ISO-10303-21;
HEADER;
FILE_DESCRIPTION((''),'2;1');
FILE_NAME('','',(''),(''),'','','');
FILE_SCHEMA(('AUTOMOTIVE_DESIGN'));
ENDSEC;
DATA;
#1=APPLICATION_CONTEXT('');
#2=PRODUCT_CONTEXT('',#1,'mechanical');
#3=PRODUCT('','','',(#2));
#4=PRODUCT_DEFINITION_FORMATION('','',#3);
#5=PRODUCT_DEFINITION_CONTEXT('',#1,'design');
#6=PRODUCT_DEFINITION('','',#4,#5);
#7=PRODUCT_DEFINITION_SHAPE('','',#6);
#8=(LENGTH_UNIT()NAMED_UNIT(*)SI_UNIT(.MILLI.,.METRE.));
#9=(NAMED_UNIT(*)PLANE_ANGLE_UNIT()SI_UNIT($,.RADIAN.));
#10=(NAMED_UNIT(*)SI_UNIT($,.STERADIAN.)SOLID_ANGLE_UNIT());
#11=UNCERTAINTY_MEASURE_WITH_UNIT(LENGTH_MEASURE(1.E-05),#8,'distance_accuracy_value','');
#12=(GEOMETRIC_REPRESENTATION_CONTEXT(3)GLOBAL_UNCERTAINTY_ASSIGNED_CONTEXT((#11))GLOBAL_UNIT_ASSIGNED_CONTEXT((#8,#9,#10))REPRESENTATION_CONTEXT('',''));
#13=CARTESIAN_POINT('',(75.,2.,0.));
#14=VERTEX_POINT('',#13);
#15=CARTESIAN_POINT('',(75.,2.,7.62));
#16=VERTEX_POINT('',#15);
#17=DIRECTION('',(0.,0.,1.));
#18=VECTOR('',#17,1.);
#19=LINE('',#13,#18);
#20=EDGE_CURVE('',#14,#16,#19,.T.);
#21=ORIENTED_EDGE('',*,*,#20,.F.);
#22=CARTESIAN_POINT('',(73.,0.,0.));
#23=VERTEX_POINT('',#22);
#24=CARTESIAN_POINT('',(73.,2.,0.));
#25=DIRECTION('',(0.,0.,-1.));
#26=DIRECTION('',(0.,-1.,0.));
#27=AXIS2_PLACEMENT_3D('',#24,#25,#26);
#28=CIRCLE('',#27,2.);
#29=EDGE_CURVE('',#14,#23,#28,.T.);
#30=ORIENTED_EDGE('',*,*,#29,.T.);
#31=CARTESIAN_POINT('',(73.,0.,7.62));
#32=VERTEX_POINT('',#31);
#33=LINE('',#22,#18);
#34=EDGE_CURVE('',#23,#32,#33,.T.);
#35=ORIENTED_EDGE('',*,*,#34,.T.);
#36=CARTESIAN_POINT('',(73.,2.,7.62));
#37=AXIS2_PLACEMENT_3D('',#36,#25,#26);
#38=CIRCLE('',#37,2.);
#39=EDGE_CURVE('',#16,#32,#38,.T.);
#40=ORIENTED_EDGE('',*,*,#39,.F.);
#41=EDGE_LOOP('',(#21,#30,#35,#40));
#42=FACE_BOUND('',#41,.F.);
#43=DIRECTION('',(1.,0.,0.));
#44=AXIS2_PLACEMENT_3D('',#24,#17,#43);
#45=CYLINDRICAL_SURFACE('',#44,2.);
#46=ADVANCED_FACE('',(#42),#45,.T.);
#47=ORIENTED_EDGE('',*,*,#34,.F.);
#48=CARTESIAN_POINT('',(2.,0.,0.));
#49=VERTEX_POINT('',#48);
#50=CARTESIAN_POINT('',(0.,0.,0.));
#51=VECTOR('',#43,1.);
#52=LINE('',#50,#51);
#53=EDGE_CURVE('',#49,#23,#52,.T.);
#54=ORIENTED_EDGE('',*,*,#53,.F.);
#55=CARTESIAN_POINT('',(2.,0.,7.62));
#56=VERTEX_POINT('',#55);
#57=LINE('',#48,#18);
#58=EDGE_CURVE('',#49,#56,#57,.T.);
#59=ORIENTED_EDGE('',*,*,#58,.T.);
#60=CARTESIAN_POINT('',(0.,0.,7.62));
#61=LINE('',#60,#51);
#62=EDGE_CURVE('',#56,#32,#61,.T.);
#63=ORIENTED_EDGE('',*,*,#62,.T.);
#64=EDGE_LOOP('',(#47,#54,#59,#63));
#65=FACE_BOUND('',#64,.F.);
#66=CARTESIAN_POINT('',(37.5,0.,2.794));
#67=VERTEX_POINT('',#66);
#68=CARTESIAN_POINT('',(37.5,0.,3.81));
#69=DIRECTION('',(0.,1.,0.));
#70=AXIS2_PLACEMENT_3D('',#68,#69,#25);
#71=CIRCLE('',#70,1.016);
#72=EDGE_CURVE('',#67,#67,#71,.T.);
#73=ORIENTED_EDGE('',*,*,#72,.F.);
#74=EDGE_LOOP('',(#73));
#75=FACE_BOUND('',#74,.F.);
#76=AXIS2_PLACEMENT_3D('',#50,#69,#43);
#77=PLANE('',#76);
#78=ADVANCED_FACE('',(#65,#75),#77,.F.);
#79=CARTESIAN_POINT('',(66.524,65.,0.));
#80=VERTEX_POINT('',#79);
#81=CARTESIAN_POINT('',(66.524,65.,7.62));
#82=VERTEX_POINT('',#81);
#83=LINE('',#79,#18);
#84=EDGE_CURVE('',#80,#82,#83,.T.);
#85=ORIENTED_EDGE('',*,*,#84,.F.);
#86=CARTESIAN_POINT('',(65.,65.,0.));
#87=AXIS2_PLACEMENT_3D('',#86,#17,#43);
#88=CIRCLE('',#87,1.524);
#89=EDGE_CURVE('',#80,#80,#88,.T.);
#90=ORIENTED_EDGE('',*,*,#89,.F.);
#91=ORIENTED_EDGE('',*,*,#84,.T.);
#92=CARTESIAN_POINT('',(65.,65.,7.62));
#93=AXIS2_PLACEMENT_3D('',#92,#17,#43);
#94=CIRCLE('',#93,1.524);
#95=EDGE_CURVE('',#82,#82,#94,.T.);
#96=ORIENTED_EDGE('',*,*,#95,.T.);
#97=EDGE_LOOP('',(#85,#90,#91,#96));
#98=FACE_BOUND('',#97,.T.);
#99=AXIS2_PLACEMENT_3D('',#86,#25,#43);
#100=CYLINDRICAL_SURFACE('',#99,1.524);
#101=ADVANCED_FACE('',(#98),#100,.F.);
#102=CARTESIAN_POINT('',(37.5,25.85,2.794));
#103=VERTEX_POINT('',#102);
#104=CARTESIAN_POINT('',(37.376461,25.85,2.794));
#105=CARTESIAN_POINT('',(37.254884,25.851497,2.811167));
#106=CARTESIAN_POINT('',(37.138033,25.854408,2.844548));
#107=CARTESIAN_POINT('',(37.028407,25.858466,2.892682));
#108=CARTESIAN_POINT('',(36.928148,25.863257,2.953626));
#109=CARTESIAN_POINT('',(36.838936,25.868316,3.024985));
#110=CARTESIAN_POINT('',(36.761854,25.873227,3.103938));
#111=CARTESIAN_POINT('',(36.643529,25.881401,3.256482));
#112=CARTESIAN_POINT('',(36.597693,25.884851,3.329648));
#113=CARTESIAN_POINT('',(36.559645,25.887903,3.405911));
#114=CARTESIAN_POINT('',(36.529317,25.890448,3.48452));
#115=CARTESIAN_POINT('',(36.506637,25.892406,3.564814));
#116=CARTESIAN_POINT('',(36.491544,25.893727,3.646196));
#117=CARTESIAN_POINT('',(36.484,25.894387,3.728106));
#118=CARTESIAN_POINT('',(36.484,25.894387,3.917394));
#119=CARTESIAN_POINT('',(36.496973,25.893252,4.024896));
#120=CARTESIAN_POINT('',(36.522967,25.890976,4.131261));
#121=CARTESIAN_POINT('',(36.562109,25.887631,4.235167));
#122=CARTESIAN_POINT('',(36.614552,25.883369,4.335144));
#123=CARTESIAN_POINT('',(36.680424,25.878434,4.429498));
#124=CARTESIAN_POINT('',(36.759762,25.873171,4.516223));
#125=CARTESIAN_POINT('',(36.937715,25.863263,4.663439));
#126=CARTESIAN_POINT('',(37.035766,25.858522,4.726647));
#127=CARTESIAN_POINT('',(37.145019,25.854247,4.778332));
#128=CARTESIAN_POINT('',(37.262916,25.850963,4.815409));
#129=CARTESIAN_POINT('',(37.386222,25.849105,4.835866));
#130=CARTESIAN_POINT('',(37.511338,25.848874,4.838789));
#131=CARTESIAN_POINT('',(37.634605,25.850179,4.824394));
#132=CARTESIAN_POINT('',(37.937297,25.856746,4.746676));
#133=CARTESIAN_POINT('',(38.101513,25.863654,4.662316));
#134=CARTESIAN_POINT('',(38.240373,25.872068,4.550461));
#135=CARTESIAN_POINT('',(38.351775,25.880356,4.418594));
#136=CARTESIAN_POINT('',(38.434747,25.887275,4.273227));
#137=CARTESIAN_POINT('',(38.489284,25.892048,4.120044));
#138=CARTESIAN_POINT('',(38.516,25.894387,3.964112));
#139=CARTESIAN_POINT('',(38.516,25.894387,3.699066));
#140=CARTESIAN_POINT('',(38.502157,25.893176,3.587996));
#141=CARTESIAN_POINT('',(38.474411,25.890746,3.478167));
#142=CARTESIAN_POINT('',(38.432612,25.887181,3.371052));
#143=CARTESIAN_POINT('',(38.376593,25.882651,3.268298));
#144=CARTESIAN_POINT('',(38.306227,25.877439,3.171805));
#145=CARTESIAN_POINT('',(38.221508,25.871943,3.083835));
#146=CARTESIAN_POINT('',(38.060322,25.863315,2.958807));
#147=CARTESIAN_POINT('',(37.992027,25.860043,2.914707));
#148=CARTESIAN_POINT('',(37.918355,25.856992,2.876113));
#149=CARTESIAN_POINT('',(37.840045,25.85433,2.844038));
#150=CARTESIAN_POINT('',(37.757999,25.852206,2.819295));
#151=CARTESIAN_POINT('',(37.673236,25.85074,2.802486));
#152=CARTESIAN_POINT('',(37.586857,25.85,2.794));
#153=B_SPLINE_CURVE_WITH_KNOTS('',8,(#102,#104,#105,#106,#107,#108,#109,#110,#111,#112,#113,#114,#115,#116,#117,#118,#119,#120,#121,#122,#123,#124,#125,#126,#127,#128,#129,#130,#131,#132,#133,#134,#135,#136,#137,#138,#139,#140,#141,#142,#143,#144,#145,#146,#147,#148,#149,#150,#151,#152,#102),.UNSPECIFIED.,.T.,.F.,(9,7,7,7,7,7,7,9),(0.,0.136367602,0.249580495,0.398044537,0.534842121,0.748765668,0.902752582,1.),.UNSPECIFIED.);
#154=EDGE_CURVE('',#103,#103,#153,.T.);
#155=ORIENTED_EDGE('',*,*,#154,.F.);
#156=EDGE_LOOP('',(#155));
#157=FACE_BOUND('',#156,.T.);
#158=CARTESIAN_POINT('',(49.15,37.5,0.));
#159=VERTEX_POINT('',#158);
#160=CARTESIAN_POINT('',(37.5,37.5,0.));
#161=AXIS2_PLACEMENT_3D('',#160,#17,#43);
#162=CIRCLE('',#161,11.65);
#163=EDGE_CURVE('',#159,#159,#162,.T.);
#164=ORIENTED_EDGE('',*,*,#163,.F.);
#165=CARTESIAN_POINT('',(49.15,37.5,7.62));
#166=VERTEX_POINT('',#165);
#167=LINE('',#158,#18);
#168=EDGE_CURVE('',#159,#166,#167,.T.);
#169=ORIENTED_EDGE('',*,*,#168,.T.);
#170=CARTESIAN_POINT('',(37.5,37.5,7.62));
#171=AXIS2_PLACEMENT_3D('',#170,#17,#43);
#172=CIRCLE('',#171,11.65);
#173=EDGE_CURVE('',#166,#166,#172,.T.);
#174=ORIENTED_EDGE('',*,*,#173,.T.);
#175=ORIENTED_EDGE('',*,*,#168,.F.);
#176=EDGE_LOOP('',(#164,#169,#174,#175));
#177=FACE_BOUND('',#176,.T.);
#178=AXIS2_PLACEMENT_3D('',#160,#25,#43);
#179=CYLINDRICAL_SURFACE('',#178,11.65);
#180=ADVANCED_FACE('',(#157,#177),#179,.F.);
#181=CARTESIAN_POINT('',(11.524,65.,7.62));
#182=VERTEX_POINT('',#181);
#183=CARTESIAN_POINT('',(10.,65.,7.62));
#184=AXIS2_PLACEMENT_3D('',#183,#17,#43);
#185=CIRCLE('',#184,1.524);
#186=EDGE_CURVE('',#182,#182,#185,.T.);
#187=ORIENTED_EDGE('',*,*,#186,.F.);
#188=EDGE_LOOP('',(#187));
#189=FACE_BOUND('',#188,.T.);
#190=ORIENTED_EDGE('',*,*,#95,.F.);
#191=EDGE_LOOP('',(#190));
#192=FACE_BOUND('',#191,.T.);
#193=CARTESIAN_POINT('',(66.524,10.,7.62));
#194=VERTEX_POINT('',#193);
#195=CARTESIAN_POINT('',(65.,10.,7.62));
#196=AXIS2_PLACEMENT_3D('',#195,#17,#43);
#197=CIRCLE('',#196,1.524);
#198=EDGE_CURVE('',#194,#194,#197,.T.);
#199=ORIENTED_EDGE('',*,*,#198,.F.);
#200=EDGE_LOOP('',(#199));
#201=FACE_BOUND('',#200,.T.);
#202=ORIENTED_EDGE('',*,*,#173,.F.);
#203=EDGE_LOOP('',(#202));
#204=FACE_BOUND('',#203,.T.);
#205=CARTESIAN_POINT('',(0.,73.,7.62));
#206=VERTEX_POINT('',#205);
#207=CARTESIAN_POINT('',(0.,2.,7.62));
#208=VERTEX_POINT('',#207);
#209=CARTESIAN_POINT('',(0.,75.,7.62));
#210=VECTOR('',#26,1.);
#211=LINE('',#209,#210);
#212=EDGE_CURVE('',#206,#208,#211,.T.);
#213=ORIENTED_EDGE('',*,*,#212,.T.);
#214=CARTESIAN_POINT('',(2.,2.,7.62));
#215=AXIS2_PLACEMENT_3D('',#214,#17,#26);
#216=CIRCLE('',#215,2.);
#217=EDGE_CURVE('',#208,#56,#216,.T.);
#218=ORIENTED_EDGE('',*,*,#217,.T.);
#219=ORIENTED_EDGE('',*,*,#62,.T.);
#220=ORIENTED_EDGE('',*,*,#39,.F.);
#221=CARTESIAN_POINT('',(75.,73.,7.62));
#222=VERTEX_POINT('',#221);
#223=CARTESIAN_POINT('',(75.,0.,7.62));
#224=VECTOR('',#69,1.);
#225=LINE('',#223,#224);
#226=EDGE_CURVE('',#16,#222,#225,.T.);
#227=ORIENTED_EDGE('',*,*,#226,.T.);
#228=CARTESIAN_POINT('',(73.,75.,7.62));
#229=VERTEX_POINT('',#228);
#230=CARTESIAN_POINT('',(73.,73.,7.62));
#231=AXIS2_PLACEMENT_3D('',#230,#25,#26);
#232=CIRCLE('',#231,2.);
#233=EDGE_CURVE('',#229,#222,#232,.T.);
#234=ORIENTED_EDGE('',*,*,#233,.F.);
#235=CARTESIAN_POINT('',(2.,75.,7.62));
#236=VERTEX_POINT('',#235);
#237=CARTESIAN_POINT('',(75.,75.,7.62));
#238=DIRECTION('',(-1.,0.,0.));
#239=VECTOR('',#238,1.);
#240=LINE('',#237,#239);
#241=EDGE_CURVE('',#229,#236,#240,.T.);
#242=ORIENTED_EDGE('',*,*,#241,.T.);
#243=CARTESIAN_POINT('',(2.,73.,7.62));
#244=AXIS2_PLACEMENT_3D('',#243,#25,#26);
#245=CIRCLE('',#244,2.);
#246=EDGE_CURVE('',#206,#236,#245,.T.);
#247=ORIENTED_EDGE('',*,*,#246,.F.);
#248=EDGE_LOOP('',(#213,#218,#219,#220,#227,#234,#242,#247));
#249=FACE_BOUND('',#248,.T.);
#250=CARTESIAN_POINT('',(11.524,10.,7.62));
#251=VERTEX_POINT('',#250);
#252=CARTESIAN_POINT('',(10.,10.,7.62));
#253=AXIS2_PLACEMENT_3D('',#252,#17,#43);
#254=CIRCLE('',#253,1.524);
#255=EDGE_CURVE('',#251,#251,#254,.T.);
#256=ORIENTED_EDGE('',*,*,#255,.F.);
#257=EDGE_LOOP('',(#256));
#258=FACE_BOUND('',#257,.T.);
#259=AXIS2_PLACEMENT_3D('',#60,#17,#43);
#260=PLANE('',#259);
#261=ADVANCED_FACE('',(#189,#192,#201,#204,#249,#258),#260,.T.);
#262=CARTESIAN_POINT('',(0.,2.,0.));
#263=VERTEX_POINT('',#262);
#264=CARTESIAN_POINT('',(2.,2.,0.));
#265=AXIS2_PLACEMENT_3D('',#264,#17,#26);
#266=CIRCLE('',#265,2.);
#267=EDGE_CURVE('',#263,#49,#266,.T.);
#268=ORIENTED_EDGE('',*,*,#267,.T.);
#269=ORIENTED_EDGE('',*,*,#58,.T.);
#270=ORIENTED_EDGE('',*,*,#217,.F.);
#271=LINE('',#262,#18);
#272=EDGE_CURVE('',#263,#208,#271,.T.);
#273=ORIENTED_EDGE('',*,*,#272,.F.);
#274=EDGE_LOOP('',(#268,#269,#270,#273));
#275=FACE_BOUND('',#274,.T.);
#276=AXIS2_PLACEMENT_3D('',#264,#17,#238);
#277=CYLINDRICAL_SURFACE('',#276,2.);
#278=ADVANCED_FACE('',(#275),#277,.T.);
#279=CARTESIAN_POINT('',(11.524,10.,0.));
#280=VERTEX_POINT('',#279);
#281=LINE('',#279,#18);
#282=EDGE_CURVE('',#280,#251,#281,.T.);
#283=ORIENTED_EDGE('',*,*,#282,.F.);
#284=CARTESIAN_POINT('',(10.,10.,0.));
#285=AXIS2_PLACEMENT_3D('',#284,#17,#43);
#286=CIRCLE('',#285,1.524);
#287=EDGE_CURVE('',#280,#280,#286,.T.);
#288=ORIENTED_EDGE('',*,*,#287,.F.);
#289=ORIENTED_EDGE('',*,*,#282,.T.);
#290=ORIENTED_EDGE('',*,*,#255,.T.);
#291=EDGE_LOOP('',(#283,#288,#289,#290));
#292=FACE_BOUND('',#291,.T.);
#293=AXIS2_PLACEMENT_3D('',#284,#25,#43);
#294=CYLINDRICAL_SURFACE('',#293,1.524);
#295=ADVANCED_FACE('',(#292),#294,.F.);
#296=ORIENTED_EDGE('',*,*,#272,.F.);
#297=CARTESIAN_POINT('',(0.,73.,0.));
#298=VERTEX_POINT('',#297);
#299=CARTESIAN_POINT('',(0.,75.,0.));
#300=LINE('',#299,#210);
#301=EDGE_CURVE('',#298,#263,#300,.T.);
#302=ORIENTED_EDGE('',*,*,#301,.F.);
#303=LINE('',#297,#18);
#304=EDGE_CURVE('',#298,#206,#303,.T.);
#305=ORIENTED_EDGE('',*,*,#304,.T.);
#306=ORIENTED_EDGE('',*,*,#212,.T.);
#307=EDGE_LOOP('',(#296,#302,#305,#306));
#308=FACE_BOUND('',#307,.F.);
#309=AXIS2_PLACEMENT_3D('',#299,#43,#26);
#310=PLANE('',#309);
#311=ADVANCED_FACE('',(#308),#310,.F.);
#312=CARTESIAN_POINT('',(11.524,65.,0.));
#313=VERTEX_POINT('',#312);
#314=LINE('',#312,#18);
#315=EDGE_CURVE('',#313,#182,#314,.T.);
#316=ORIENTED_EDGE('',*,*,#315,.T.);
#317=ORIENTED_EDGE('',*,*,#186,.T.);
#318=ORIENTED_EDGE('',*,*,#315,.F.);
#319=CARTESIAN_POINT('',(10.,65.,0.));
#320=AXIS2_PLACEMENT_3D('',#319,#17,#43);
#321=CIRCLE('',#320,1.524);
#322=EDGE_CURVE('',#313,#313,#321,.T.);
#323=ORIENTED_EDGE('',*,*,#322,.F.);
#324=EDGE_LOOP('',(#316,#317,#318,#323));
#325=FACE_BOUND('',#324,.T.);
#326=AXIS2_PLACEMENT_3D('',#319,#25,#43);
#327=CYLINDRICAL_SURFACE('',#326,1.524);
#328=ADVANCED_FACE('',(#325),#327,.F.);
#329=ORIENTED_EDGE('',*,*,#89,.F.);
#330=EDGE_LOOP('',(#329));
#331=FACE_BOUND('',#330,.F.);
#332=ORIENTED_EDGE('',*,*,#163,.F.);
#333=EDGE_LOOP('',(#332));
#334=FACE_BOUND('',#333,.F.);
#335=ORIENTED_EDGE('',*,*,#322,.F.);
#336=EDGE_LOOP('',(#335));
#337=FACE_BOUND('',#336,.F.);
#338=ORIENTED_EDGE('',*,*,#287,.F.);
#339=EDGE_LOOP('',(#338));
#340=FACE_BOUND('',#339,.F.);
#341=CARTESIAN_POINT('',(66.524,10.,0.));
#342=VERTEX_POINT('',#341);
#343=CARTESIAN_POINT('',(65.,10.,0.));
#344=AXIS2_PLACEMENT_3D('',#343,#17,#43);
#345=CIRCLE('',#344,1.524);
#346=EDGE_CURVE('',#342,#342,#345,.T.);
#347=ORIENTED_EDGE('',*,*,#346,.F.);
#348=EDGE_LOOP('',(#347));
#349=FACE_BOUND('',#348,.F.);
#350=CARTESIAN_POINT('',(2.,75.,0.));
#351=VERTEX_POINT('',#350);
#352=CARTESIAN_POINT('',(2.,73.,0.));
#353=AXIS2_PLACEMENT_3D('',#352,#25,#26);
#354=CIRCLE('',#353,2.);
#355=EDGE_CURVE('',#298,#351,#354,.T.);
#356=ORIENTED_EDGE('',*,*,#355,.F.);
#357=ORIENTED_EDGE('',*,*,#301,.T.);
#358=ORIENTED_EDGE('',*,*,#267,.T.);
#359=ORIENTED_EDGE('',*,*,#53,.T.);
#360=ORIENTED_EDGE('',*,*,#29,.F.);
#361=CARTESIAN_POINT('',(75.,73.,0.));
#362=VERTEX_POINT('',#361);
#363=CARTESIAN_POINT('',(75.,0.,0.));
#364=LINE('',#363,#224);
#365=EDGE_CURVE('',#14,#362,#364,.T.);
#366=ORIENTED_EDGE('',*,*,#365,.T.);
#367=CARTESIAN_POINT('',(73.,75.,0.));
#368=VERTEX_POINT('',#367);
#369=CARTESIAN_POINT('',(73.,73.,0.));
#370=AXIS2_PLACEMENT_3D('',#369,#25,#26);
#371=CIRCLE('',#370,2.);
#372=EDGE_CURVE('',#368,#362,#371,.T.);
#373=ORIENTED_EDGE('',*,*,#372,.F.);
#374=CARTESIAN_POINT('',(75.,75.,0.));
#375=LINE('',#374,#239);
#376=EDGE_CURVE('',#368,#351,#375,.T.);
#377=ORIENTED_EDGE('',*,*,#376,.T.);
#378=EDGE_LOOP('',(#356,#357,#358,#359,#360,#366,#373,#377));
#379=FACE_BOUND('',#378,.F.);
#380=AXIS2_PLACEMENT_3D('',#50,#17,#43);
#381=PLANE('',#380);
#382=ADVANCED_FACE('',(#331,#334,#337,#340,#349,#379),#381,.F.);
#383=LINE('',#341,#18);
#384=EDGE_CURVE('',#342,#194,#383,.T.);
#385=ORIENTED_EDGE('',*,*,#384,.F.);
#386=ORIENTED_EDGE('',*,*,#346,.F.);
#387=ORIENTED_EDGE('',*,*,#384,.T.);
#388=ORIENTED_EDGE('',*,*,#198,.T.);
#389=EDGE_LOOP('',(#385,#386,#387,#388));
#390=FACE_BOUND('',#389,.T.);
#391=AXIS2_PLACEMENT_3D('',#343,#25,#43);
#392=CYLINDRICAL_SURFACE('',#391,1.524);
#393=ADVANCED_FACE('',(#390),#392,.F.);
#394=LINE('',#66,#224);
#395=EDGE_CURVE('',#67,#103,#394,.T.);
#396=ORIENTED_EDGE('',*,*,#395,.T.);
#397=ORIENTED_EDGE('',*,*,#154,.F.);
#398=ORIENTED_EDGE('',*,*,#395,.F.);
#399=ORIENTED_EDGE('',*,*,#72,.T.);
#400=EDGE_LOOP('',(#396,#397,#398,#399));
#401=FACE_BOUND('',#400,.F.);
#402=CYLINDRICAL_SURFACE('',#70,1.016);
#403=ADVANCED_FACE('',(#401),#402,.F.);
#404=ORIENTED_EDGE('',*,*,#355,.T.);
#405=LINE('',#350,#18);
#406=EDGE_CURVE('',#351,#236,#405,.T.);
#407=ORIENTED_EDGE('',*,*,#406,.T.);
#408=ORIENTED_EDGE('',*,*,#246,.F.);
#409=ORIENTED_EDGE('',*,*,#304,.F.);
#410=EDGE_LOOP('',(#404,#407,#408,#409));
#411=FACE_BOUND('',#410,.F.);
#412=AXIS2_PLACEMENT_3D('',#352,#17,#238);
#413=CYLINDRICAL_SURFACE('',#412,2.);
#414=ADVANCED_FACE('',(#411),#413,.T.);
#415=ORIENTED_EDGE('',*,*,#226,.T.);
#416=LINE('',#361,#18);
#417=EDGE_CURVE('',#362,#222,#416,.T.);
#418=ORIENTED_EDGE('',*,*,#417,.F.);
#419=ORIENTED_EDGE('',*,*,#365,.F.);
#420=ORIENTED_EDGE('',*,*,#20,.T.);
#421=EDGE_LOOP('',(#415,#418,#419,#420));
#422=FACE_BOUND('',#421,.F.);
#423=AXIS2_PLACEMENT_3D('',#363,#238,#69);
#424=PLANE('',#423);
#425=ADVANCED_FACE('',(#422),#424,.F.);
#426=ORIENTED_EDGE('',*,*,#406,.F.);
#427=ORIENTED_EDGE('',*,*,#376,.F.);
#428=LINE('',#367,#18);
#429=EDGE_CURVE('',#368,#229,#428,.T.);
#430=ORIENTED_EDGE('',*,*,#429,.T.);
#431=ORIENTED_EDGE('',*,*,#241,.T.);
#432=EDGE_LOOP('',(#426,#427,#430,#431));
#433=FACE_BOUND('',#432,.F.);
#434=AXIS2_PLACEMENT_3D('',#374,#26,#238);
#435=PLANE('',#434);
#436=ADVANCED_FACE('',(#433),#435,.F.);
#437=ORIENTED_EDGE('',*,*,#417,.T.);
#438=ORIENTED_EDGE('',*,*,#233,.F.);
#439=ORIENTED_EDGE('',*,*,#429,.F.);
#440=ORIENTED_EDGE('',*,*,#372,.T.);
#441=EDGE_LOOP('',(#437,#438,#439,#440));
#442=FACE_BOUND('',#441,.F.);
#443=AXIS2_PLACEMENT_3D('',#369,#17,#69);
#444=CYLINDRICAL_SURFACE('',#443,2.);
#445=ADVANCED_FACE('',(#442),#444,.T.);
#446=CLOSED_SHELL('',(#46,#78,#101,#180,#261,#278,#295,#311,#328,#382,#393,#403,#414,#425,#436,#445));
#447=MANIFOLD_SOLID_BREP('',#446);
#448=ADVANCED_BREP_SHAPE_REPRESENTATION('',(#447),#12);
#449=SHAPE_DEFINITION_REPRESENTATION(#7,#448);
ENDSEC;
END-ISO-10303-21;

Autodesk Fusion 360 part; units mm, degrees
sketch "Sketch1" plane through (0, 0, 0) normal (0, 0, 1) x (1, 0, 0)
  line L0 (0, 0) -> (75, 0)
  line L1 (75, 0) -> (75, 75)
  line L2 (75, 75) -> (0, 75)
  line L3 (0, 75) -> (0, 0)
  circle A0 centre (37.5, 37.5) radius 11.65
  circle A1 centre (10, 65) radius 1.524
  circle A2 centre (65, 65) radius 1.524
  circle A3 centre (10, 10) radius 1.524
  circle A4 centre (65, 10) radius 1.524
  dimension "d1" = 75
  dimension "d2" = 75
  dimension "d3" = 37.5
  dimension "d4" = 37.5
  dimension "d5" = 23.3
  dimension "d6" = 3.048
  dimension "d7" = 10
  dimension "d8" = 10
  dimension "d9" = 10
  dimension "d10" = 10
  dimension "d11" = 10
  dimension "d12" = 10
  dimension "d13" = 10
  dimension "d14" = 10
extrude "Extrude1" add sketch "Sketch1" along normal blind 7.62
fillet "Fillet1" radius 2 4 edges at (75, 0, 3.81) (75, 75, 3.81) (0, 0, 3.81) (0, 75, 3.81)
sketch "Sketch2" plane through (0, 0, 0) normal (0, -1, 0) x (1, 0, 0)
  line L0 (2, 7.62) -> (2, 0)
  line L1 (2, 0) -> (73, 0)
  line L2 (73, 0) -> (73, 7.62)
  line L3 (73, 7.62) -> (2, 7.62)
  circle A0 centre (37.5, 3.81) radius 1.016
  dimension "d19" = 35.5
  dimension "d20" = 2.032
  dimension "d21" = 3.81
hole "Hole1" at (37.5, 0, 3.81) direction (0, 1, 0) diameter 2.032 depth 30 tip angle 118
